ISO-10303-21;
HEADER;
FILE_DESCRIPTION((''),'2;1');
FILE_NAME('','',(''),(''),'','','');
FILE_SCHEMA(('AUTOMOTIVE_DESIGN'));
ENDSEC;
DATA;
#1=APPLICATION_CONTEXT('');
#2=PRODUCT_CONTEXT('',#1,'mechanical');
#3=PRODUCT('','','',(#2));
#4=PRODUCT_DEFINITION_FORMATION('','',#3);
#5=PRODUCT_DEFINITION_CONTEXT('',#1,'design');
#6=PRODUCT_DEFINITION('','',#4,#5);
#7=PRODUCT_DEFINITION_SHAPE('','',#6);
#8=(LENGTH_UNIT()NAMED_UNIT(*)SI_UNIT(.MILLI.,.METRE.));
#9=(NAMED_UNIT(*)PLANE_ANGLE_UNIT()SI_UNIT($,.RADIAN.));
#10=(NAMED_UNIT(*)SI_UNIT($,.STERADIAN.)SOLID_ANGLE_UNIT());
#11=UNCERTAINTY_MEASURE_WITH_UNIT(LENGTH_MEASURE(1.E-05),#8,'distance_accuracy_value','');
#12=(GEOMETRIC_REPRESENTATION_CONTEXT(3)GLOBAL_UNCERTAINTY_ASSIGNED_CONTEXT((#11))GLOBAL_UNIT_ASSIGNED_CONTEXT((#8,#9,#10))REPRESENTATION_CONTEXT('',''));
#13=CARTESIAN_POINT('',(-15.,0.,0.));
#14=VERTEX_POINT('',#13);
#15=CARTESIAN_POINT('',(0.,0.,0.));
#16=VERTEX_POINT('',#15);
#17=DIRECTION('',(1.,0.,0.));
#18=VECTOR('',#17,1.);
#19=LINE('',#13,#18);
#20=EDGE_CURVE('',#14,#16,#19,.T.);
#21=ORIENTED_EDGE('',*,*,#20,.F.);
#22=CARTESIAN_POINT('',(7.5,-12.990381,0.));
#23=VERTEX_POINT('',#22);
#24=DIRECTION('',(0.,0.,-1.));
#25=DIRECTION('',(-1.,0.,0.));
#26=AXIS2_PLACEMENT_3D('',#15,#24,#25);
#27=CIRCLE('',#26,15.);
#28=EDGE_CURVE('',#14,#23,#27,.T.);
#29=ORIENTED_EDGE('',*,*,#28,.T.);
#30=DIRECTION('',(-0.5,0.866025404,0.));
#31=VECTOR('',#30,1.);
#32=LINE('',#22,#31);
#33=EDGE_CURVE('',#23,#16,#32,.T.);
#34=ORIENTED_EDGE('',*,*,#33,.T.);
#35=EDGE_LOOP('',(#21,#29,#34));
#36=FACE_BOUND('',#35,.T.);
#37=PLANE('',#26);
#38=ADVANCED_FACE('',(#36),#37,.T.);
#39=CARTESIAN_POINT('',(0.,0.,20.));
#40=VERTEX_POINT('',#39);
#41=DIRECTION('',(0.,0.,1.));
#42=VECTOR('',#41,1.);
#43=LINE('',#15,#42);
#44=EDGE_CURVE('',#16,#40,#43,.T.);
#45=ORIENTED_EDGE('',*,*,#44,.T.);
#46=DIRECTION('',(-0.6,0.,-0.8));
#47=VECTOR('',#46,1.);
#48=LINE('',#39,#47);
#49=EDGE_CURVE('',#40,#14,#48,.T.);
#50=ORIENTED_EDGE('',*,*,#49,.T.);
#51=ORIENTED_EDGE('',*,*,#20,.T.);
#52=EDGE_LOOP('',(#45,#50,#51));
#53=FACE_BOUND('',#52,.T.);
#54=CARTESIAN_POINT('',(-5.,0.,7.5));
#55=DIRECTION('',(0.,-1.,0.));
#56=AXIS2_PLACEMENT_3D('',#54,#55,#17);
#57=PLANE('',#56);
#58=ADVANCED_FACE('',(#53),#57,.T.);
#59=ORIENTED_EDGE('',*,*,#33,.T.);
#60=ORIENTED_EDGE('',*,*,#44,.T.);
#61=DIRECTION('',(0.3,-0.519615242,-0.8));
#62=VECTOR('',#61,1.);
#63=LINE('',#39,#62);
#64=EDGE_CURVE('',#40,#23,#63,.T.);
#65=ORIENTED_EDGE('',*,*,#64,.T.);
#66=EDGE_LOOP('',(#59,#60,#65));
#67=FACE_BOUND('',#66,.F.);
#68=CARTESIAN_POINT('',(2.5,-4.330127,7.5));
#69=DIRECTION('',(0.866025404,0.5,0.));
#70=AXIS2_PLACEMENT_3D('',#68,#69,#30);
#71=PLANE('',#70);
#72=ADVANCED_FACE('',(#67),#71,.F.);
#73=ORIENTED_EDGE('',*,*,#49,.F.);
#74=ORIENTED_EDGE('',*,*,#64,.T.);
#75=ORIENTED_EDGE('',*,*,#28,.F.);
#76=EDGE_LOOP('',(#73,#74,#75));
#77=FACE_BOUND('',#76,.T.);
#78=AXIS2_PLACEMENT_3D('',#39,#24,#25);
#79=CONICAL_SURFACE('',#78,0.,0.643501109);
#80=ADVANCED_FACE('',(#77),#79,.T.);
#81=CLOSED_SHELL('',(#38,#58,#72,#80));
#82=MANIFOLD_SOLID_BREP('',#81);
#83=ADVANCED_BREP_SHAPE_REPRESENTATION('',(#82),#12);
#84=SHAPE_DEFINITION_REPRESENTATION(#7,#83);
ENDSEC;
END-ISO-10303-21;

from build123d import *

# Parameters (mm, degrees)
F1_ANGLE = -240


with BuildPart() as f1:
    # F0 (on Front) → F1 (revolve)
    with BuildSketch(Plane.XZ):
        Polygon((-15, 0), (0, 0), (0, 20), align=None)
    revolve(axis=Axis((0, 0, 17.181167), (0, 0, 1)), revolution_arc=F1_ANGLE)


solid = f1.part
